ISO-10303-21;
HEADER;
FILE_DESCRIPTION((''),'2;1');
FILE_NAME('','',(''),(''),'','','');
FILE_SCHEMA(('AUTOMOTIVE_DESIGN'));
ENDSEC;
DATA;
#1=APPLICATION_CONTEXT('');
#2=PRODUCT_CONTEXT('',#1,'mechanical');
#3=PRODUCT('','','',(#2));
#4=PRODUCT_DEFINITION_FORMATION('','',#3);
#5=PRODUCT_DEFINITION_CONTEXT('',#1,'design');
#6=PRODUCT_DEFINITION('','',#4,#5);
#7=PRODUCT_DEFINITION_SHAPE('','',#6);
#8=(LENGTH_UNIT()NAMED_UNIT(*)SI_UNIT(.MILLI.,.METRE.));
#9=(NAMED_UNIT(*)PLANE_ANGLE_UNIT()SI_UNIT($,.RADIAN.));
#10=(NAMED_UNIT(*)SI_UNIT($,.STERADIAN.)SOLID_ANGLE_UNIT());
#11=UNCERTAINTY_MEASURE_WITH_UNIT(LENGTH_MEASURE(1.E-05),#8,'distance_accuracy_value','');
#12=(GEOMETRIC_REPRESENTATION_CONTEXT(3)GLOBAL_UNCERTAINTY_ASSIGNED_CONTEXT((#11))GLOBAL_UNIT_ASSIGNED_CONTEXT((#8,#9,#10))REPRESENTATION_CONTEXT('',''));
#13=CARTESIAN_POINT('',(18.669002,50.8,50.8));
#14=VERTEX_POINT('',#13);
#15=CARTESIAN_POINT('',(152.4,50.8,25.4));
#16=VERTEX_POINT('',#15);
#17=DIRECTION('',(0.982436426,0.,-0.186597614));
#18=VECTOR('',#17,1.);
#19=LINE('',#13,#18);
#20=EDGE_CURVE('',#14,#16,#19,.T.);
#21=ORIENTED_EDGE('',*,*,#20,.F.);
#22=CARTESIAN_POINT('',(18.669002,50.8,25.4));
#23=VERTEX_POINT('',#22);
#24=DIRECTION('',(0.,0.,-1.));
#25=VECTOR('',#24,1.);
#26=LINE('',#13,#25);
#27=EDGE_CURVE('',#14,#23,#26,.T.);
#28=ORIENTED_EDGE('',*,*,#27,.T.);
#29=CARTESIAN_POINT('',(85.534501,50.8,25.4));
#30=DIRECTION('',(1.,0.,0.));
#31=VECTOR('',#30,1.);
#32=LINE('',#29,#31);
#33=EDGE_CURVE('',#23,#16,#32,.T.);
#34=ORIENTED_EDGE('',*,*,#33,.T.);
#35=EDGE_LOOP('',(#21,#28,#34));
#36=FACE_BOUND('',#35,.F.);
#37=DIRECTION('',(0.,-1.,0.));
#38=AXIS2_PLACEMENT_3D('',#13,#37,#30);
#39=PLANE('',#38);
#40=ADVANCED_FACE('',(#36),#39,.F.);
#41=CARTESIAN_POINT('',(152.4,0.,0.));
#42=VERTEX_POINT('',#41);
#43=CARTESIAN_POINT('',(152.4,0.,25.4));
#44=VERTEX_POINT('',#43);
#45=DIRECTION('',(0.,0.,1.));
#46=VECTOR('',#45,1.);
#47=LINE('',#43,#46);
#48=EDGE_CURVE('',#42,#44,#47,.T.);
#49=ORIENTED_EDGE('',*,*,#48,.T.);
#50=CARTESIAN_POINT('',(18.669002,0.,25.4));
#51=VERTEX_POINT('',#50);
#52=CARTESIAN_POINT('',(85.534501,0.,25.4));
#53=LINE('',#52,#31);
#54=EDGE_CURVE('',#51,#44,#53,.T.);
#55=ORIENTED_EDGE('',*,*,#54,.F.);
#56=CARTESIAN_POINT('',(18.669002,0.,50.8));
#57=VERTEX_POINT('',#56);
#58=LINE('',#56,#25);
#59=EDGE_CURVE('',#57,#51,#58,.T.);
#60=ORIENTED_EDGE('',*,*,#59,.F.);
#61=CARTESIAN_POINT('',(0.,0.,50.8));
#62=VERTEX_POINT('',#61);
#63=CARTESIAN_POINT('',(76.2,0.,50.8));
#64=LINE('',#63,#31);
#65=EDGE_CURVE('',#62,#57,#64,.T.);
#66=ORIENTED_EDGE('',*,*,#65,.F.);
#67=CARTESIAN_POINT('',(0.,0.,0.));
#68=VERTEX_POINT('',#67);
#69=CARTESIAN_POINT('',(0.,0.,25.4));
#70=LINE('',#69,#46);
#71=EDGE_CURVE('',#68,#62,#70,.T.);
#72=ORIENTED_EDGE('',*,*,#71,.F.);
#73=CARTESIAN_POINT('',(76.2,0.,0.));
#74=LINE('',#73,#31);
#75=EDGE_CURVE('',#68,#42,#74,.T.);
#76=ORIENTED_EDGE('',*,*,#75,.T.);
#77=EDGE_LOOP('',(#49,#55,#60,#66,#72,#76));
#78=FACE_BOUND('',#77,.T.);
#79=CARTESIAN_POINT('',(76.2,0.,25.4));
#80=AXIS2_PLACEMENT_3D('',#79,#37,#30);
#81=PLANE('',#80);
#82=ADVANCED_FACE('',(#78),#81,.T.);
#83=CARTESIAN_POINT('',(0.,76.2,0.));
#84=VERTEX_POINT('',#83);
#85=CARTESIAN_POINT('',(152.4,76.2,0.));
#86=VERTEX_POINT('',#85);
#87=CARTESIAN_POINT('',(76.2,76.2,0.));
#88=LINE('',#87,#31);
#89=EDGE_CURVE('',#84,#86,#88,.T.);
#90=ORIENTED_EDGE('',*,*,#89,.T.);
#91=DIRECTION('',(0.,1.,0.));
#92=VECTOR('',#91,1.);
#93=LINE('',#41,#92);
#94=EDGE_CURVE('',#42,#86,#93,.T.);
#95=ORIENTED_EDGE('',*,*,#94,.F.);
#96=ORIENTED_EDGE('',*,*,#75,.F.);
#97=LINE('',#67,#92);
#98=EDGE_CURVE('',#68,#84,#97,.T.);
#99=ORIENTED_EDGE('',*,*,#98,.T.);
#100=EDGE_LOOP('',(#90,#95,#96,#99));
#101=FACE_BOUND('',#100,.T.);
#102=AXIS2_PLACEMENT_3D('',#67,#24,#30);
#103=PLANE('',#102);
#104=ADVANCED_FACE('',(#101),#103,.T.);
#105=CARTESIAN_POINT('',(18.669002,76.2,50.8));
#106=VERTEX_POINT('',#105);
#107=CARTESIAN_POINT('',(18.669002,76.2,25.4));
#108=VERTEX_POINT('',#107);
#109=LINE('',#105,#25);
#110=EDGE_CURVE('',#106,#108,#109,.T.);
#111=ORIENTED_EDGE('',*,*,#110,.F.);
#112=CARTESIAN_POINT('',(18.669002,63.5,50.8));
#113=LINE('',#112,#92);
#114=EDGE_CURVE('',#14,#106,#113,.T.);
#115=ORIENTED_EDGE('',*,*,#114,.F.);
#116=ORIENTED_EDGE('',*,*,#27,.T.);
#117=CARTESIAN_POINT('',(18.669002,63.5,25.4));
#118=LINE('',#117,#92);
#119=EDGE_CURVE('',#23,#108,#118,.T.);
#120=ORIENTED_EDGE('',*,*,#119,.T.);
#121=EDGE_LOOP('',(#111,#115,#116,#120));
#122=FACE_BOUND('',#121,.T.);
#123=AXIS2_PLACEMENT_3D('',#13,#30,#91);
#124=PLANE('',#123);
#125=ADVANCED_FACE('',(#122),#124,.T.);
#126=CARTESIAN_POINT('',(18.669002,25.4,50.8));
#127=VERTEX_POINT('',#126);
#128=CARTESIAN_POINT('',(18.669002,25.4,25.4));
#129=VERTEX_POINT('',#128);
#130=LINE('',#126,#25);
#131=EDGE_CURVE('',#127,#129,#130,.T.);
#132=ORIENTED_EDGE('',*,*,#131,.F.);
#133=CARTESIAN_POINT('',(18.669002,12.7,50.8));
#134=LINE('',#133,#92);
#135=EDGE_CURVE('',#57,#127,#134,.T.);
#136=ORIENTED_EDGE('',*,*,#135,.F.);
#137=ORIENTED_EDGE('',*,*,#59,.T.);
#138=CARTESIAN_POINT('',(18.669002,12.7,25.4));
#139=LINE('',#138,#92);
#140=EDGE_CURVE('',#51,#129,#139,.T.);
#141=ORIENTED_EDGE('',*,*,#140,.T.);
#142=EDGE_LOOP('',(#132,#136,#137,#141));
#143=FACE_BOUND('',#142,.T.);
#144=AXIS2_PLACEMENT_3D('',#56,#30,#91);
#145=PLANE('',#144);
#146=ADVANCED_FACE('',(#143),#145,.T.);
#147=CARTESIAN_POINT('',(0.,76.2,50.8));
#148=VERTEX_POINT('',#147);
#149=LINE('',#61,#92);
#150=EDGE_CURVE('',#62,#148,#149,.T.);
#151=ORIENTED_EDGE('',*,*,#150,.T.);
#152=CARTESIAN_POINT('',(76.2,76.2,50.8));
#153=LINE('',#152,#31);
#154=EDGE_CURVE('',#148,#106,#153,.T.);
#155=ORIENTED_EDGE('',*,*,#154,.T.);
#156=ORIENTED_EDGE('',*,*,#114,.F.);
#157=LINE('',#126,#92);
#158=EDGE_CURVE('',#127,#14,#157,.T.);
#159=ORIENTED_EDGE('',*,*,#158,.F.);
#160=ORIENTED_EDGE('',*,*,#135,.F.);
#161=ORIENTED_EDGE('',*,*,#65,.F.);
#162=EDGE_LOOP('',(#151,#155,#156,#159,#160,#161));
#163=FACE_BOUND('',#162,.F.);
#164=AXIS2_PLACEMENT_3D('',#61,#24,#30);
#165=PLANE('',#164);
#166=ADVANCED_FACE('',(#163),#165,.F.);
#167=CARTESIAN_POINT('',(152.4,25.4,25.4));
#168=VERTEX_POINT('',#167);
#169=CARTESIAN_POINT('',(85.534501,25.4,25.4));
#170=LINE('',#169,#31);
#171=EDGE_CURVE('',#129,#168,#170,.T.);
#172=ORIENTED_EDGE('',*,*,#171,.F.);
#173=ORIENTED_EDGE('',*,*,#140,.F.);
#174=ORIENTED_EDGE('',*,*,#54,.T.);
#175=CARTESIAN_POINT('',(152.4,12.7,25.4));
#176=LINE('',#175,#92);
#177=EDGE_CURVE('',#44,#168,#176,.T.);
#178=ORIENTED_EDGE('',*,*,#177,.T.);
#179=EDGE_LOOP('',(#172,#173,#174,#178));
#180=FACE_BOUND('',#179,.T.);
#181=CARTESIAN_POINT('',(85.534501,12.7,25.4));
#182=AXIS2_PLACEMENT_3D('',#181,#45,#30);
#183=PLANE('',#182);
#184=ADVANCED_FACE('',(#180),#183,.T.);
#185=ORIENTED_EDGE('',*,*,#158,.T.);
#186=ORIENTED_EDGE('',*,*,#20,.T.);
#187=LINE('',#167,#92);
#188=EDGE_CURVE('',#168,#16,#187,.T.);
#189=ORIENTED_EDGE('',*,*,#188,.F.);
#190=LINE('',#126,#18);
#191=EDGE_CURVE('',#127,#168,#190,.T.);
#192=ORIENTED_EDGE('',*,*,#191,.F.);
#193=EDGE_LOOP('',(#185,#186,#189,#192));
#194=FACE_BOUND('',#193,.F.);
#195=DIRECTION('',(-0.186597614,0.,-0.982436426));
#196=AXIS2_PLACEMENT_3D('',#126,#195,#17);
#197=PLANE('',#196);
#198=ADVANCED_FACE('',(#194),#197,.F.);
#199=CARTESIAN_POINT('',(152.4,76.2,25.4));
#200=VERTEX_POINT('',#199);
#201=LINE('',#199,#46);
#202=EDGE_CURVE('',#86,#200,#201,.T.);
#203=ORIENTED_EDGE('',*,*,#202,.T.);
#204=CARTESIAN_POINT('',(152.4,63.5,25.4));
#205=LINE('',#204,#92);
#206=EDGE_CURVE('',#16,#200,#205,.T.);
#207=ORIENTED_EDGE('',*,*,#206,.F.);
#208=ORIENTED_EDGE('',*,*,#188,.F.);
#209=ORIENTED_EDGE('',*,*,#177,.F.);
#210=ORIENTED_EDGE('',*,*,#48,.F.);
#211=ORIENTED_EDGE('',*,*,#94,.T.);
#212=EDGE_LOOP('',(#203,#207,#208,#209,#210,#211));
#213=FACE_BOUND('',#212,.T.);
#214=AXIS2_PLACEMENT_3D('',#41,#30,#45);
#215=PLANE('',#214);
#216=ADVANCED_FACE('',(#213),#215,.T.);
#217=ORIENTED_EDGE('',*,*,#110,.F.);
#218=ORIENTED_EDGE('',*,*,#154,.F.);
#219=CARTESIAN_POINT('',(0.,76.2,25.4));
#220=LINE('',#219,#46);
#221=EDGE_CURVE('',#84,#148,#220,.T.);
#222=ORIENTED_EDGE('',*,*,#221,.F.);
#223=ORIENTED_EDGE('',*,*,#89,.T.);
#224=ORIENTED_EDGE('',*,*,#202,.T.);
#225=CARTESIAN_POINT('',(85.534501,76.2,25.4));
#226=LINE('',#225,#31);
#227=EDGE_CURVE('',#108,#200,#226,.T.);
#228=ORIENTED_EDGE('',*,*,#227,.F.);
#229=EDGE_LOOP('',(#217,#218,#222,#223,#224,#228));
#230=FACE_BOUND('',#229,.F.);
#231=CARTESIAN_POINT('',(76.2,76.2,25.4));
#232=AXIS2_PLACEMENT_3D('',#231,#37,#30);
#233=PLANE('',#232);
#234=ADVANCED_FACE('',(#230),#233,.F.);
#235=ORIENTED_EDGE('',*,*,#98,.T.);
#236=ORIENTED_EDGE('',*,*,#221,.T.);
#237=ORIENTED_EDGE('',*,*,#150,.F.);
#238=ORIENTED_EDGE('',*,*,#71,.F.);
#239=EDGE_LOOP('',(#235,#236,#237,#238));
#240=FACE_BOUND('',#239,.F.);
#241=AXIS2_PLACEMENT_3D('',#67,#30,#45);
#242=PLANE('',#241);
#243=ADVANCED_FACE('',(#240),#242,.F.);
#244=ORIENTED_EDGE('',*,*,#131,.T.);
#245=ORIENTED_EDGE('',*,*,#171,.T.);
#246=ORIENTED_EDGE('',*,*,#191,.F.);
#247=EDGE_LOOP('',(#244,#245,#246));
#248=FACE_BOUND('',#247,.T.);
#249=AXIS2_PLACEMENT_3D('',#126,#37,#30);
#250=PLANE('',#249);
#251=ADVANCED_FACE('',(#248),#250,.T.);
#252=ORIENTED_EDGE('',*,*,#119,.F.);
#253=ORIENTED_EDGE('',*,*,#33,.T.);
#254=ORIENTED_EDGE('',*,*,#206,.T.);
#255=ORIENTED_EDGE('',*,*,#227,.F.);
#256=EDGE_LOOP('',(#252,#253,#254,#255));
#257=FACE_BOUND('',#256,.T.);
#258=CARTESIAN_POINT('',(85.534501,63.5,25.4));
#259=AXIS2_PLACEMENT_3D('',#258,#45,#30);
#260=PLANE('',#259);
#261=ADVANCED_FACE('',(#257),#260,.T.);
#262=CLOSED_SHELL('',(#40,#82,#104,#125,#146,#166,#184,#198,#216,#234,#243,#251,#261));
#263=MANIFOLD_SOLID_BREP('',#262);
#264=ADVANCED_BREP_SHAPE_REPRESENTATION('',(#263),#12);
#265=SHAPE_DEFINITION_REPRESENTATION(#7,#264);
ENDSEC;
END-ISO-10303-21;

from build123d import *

# Parameters (mm, degrees)
F0_W     = 152.4
F0_H     = 50.8
F1_DEPTH = 76.2
F2_W     = 133.730998
F2_H     = 25.4
F3_DEPTH = 25.4
F4_W     = 133.730998
F4_H     = 25.4
F5_DEPTH = 25.4
F7_DEPTH = 25.4


with BuildPart() as f1:
    # F0 (on Front) → F1 (new body)
    with BuildSketch(Plane.XZ):
        with Locations((76.2, 25.4)):
            Rectangle(F0_W, F0_H)
    extrude(amount=-F1_DEPTH)

    # F2 (on face) → F3 (cut)
    with BuildSketch(Plane.XY.offset(50.8)):
        with Locations((85.534501, 12.7)):
            Rectangle(F2_W, F2_H)
    extrude(amount=-F3_DEPTH, mode=Mode.SUBTRACT)

    # F4 (on face) → F5 (cut)
    with BuildSketch(Plane.XY.offset(50.8)):
        with Locations((85.534501, 63.5)):
            Rectangle(F4_W, F4_H)
    extrude(amount=-F5_DEPTH, mode=Mode.SUBTRACT)

    # F6 (on face) → F7 (cut)
    with BuildSketch(Plane.XZ.offset(-25.4)):
        Polygon((152.4, 50.8), (18.669002, 50.8), (152.4, 25.4), align=None)
    extrude(amount=-F7_DEPTH, mode=Mode.SUBTRACT)


solid = f1.part
